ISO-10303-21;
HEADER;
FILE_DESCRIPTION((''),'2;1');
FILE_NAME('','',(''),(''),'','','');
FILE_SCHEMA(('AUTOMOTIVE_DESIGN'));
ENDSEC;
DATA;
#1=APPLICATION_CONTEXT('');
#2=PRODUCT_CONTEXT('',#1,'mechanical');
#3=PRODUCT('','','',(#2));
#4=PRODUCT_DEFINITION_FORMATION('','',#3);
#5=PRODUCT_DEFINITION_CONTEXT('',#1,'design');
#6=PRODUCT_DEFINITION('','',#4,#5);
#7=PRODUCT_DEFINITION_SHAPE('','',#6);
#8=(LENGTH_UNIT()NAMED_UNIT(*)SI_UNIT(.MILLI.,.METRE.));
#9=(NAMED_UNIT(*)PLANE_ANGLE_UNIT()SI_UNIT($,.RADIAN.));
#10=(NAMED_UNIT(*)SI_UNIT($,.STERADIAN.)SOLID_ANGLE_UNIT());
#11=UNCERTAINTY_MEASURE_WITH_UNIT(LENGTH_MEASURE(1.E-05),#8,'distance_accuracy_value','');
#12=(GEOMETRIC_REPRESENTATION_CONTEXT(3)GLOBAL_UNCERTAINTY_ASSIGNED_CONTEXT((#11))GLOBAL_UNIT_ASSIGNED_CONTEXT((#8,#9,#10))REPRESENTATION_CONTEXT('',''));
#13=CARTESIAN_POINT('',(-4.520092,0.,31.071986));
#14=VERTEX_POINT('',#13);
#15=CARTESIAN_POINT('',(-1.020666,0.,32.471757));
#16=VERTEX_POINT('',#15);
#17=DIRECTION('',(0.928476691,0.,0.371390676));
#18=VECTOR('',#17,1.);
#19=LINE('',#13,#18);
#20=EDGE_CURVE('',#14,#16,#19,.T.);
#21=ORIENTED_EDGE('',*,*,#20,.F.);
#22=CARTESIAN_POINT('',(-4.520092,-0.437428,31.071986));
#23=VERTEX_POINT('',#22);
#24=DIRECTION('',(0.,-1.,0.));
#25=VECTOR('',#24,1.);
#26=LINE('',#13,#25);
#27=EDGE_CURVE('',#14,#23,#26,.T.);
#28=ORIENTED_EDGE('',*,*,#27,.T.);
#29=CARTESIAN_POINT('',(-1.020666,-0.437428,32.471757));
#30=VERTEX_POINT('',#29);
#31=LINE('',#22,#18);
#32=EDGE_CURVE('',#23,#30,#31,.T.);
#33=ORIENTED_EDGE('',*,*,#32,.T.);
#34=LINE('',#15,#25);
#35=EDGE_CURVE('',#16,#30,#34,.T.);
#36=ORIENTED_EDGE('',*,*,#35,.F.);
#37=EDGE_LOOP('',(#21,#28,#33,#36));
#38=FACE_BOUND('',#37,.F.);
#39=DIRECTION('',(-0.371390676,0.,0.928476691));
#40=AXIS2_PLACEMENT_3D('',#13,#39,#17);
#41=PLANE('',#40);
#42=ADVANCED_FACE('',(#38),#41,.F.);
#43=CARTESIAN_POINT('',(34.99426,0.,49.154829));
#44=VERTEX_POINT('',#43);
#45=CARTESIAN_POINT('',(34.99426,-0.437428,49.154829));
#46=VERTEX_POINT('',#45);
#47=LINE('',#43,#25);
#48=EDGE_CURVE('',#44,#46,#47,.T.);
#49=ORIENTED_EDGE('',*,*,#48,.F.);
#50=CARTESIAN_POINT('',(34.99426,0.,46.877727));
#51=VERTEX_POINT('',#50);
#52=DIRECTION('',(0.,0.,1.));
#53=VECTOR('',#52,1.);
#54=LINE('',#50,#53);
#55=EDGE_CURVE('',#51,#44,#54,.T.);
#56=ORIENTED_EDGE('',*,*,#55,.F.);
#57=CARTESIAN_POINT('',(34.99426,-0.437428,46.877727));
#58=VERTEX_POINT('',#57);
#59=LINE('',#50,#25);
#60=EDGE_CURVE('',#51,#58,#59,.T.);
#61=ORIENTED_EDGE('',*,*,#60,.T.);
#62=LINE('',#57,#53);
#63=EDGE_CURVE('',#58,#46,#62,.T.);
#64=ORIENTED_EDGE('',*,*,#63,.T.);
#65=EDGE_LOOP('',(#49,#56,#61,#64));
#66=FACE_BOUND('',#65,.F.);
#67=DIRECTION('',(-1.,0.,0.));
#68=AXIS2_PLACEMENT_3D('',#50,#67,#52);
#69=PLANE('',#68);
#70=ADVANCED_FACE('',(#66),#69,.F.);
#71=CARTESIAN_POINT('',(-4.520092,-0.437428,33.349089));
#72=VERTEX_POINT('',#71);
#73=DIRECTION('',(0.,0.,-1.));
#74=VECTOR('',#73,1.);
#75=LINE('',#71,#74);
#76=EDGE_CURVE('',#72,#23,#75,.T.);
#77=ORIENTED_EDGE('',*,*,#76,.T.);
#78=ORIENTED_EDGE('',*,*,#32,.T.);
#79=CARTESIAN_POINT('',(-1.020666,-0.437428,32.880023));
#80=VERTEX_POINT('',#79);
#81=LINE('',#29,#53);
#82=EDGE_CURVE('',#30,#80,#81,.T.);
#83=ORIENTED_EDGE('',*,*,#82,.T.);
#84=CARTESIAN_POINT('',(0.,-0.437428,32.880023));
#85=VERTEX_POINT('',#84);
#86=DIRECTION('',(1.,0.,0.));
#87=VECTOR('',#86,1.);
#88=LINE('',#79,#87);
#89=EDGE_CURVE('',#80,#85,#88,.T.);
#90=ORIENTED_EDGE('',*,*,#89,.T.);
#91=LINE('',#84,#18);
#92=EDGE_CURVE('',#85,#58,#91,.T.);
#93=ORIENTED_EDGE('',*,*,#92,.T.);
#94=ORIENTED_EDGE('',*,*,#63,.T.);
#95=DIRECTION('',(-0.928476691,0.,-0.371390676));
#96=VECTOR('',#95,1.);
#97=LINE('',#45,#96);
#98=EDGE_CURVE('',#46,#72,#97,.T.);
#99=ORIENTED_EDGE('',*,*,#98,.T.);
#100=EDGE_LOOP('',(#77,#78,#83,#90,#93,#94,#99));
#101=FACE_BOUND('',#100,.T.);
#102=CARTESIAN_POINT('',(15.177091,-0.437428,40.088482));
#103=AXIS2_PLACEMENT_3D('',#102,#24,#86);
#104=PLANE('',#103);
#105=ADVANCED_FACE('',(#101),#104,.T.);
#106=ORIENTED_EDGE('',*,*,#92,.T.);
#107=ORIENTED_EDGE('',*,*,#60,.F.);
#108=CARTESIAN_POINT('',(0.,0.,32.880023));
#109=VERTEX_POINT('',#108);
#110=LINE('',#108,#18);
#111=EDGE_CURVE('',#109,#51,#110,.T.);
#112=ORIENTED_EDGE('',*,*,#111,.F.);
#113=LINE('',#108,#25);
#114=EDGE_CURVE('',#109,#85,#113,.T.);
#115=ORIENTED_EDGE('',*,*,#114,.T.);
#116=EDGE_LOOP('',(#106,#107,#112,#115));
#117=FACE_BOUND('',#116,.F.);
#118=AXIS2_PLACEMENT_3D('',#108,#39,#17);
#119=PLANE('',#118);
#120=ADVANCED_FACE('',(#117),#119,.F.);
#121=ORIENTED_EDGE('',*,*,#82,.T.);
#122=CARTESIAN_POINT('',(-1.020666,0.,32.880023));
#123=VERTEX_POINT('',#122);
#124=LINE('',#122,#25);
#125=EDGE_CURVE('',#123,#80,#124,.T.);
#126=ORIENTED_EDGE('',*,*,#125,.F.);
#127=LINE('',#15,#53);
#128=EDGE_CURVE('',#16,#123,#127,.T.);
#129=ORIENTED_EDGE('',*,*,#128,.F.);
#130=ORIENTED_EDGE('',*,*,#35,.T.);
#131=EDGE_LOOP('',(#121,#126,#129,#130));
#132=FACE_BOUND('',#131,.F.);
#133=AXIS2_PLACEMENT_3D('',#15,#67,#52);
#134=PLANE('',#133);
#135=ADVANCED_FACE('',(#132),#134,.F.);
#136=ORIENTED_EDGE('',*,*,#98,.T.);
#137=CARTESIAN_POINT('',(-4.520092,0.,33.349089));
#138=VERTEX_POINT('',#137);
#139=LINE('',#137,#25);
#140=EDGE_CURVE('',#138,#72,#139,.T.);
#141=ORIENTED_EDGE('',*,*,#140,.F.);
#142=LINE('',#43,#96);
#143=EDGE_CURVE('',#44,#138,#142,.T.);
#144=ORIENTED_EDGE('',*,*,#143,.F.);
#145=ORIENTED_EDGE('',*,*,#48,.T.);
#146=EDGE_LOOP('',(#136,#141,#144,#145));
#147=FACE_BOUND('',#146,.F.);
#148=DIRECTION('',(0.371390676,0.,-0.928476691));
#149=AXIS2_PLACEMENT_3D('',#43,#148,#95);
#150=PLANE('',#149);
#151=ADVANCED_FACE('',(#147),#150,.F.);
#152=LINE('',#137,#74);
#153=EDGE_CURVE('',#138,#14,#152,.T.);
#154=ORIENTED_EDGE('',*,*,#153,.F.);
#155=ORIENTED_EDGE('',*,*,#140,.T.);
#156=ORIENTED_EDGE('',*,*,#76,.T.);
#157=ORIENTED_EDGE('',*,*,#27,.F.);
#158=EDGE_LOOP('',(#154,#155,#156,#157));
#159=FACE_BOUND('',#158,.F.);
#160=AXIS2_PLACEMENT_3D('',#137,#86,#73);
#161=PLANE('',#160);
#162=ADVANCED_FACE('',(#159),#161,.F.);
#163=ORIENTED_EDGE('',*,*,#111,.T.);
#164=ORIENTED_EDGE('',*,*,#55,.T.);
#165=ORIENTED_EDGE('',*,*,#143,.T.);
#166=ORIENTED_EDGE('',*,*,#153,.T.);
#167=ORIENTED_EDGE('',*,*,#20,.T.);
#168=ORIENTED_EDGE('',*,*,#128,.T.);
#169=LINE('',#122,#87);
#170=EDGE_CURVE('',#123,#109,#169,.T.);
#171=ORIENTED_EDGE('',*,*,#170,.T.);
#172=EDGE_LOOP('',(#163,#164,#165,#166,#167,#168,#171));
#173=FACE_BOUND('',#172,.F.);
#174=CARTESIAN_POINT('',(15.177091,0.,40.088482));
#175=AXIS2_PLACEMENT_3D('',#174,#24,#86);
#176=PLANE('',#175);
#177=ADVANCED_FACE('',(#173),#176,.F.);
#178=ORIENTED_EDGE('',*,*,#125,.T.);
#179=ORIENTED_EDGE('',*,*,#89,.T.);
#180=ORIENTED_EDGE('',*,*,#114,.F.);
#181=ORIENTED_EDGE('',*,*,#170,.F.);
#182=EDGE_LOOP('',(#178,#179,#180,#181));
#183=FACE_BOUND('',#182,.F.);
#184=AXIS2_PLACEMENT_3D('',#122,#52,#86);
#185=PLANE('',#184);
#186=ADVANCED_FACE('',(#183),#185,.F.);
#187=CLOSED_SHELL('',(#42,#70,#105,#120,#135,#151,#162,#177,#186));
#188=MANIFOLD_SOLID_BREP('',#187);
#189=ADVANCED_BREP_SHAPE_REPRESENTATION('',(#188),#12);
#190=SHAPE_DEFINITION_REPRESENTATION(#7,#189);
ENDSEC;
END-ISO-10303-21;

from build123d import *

# Parameters (mm, degrees)
F2_DEPTH = 38.1
F3_SCALE = 0.0114810563


with BuildPart() as f2:
    # F1 (on Front) → F2 (new body)
    with BuildSketch(Plane.XZ):
        Polygon((0, 2863.85), (3048, 4083.05), (3048, 4281.3856198468), (-393.7, 2904.7056198468), (-393.7, 2706.37), (-88.9, 2828.29), (-88.9, 2863.85), align=None)
    extrude(amount=F2_DEPTH)


with BuildPart() as f2_1:
    # F3: moved
    add(f2.part.scale(F3_SCALE))


solid = f2_1.part
